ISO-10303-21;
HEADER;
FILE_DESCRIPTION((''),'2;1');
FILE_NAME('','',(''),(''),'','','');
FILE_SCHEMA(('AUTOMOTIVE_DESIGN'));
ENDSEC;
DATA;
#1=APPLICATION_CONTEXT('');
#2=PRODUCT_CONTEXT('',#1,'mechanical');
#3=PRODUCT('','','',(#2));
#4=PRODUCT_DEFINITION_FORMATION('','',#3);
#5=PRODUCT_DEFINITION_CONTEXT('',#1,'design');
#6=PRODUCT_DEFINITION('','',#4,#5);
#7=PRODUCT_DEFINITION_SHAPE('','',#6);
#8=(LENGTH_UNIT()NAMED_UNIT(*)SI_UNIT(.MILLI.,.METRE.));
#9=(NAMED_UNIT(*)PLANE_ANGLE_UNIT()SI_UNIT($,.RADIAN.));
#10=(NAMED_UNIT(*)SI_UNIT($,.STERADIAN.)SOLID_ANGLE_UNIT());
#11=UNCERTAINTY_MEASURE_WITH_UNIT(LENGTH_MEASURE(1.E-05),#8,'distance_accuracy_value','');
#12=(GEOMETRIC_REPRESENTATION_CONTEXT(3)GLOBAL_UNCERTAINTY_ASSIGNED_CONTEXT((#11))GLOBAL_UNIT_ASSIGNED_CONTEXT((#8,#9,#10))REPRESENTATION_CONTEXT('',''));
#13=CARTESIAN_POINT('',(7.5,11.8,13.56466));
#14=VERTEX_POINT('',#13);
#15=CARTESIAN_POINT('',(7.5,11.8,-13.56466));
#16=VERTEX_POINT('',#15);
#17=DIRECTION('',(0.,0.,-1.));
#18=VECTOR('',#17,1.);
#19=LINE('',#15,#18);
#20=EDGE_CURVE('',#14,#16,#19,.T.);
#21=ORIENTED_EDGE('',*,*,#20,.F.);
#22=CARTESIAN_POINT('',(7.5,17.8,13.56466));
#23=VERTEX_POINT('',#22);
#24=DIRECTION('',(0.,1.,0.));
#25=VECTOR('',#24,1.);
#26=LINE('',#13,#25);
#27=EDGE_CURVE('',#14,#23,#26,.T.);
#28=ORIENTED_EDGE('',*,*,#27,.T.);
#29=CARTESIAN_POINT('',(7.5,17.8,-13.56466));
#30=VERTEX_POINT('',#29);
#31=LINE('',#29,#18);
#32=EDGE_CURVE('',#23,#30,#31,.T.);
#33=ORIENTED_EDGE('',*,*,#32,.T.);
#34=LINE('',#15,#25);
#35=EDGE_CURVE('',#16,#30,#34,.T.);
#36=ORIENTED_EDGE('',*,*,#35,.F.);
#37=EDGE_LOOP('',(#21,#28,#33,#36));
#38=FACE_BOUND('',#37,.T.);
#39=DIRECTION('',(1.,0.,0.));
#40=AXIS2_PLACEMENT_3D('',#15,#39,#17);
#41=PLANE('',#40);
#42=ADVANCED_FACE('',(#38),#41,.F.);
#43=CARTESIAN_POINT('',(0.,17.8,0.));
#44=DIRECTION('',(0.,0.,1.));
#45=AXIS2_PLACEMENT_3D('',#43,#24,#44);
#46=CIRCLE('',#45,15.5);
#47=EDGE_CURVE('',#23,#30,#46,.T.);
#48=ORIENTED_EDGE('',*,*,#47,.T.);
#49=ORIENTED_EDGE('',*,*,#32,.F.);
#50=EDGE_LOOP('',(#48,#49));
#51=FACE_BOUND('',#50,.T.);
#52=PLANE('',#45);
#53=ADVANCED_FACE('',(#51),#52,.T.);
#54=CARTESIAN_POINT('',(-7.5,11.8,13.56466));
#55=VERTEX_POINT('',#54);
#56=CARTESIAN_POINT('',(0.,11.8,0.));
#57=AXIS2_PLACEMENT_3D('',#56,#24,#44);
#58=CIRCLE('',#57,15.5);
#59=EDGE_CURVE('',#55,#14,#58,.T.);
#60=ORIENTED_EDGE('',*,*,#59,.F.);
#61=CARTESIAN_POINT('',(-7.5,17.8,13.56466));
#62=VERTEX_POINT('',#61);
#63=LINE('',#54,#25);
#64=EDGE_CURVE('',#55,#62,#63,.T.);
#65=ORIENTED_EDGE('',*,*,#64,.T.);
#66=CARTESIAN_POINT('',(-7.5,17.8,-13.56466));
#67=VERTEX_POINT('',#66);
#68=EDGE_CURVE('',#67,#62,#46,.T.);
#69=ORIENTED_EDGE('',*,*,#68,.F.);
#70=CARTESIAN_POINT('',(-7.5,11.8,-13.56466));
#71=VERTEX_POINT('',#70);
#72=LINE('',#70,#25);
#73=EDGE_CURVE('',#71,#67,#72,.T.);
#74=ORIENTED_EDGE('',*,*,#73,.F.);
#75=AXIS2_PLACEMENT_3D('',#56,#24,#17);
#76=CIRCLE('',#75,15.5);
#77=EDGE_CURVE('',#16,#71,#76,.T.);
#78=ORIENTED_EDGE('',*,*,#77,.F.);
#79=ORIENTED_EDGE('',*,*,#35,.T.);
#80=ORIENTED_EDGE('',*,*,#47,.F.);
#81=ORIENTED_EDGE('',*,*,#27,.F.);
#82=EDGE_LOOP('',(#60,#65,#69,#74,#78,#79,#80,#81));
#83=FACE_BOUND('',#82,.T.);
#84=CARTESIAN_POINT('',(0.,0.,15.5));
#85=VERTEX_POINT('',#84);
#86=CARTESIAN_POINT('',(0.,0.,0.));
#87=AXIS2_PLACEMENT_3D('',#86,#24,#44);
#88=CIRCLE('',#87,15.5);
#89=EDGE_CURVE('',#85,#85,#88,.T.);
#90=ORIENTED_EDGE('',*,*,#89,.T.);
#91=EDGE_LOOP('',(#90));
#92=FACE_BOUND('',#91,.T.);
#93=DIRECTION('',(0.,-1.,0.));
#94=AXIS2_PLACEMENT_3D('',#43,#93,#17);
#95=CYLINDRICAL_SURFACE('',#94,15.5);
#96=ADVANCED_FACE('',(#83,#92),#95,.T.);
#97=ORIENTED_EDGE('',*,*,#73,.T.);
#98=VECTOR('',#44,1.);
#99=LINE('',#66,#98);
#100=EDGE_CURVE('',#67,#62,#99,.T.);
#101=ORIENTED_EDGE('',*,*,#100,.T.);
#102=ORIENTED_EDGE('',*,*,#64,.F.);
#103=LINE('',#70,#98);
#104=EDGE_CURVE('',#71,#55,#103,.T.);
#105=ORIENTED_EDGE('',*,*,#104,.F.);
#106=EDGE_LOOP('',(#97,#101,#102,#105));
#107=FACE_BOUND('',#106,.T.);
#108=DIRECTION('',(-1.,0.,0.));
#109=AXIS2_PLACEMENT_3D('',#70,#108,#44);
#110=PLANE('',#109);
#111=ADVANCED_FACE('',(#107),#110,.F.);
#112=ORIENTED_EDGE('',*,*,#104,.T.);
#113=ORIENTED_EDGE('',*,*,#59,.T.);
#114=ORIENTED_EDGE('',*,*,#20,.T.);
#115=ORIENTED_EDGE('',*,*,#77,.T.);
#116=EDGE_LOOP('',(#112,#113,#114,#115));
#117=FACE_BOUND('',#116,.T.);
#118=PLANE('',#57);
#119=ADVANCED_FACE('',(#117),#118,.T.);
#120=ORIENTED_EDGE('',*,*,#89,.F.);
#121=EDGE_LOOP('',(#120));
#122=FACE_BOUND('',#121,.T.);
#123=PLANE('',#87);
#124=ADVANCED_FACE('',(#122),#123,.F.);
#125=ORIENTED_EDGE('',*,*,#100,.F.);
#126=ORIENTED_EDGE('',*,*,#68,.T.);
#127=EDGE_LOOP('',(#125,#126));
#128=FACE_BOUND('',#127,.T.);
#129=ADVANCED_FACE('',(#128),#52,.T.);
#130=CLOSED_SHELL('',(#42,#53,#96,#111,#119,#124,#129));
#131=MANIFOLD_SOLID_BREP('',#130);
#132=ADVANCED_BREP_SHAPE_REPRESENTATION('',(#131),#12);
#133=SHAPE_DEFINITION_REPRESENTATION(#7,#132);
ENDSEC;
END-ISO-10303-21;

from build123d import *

# Parameters (mm, degrees)
SKETCH_1_R          = 15.5
EXTRUDE_1_DEPTH     = 17.8
CUT_EXTRUDE_START   = -6
CUT_EXTRUDE_1_DEPTH = 6


with BuildPart() as part:
    # 草图1 → 凸台-拉伸1 (new body)
    with BuildSketch(Plane(origin=(0, 0, 0), x_dir=(1, 0, 0), z_dir=(0, 1, 0))):
        with Locations(Location((0, 0, 0), (0, 0, 270))):
            Circle(SKETCH_1_R)
    extrude(amount=EXTRUDE_1_DEPTH)

    # 草图2 → 切除-拉伸1 (cut)
    with BuildSketch(Plane(origin=(0, 17.8, 0), x_dir=(1, 0, 0), z_dir=(0, 1, 0)).offset(CUT_EXTRUDE_START)):
        with BuildLine():
            Line((-7.5, 13.564659966), (-7.5, -13.564659966))
            ThreePointArc((-7.5, -13.564659966), (0, -15.5), (7.5, -13.564659966))
            Line((7.5, -13.564659966), (7.5, 13.564659966))
            ThreePointArc((7.5, 13.564659966), (0, 15.5), (-7.5, 13.564659966))
        make_face()
    extrude(amount=CUT_EXTRUDE_1_DEPTH, mode=Mode.SUBTRACT)


solid = part.part
